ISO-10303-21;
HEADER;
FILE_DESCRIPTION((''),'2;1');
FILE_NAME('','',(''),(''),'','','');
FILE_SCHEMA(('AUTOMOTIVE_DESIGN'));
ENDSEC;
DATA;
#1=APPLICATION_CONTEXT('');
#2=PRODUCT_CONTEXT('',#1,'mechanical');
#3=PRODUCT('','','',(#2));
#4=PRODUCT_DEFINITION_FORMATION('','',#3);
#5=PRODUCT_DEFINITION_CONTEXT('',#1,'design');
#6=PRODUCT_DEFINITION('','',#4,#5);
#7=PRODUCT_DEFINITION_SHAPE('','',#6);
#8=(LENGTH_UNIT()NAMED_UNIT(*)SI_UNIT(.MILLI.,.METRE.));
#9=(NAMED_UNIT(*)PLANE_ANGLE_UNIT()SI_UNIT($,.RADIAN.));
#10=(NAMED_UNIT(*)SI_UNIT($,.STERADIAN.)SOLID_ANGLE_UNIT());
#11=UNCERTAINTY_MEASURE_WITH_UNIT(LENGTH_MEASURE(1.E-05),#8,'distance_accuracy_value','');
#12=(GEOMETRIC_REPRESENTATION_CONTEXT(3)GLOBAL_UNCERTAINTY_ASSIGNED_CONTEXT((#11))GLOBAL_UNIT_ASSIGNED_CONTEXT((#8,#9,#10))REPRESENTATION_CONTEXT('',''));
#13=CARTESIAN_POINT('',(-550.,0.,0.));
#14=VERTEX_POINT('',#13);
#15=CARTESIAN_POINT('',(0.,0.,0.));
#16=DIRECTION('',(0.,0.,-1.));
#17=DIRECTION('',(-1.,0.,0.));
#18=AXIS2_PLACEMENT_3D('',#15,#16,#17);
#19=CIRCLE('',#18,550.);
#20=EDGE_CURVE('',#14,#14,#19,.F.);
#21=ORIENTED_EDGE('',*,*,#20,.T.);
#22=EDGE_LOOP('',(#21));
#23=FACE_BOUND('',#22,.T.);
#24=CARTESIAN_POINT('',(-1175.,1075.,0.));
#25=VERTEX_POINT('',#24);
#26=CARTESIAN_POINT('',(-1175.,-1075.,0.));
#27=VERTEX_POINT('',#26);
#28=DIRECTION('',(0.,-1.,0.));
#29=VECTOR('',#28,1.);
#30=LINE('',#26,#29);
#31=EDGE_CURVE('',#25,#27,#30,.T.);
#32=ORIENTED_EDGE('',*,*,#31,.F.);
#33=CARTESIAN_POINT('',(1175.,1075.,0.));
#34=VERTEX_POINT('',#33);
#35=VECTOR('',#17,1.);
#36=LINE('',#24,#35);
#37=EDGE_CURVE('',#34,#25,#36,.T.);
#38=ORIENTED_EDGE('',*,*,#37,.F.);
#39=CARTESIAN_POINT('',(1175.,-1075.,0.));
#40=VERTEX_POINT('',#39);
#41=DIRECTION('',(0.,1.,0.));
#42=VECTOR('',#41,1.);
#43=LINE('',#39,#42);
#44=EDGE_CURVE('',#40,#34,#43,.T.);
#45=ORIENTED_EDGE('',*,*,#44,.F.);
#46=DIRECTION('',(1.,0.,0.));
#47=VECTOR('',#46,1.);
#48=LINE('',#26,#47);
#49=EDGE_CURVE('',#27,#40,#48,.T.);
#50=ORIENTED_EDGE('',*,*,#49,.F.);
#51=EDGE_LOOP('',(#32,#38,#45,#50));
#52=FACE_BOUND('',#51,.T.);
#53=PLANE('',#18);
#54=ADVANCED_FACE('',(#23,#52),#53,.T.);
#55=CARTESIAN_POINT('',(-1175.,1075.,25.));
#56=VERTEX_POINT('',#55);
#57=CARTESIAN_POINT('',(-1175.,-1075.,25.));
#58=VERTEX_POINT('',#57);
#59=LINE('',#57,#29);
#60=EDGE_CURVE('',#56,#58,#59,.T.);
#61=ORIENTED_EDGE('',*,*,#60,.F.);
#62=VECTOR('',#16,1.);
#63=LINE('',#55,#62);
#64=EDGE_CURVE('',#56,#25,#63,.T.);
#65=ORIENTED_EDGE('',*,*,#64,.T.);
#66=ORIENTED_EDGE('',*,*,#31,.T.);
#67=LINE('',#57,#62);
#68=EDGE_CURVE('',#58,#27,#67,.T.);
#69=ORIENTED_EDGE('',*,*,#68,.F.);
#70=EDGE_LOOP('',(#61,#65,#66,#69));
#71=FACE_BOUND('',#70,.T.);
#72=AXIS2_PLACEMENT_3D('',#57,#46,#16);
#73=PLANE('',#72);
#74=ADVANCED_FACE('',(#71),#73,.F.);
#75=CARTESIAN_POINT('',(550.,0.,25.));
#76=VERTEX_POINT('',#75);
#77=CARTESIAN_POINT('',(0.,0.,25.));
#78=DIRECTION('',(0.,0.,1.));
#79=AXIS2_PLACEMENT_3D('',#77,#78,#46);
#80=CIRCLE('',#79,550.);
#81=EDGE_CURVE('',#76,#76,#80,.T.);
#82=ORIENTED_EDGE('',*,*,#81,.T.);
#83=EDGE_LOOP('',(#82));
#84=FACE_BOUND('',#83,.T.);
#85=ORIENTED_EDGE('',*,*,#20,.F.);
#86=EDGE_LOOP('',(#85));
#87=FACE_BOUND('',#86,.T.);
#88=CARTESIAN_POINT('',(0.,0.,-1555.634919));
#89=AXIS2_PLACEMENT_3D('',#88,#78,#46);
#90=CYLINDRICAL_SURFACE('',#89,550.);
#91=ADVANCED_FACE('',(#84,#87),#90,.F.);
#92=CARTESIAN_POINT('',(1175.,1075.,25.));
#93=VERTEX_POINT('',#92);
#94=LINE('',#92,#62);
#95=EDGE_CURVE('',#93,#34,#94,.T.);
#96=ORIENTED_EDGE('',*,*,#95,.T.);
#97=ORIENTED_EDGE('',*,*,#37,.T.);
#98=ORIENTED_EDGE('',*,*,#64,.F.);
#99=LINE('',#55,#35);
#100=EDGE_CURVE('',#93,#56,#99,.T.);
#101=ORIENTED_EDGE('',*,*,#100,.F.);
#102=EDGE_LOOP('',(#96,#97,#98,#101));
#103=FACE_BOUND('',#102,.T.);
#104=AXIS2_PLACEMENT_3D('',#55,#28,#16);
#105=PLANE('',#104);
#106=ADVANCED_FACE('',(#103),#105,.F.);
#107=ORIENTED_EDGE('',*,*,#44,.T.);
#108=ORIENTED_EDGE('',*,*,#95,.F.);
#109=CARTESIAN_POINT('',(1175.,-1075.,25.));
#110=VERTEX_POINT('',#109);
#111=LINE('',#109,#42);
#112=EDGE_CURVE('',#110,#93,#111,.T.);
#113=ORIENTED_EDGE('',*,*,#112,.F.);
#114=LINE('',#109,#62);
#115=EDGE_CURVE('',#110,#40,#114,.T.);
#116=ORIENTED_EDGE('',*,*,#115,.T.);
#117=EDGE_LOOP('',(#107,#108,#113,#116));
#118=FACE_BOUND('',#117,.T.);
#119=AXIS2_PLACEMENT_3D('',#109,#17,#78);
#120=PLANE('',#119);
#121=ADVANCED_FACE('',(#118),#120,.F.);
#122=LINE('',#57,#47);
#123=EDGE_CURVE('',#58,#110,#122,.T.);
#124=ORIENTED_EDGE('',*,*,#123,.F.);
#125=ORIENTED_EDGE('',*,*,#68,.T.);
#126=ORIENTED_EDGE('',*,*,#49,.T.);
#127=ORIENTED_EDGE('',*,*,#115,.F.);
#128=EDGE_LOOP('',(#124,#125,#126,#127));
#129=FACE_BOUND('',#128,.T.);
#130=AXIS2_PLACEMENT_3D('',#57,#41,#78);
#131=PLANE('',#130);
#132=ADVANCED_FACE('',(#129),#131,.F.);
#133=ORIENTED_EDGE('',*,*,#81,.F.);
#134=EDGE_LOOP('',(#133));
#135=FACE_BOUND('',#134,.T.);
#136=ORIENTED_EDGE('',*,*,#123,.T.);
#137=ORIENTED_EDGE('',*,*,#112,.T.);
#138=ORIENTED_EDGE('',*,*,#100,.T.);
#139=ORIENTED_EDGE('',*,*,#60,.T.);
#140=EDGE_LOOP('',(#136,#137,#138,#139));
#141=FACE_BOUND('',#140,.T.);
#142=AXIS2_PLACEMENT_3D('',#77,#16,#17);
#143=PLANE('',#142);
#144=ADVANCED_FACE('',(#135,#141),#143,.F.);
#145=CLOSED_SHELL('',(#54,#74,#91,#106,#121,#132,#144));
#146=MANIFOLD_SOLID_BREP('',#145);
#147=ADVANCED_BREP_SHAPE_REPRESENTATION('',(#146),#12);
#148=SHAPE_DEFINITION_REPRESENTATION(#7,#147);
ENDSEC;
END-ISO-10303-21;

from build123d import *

# Parameters (mm, degrees)
SKETCH1_W           = 2350
SKETCH1_H           = 2150
BOSS_EXTRUDE1_DEPTH = 25
SKETCH2_R           = 550
CUT_EXTRUDE1_DEPTH  = 25


with BuildPart() as part:
    # Sketch1 → Boss-Extrude1 (new body)
    with BuildSketch(Plane.XY):
        Rectangle(SKETCH1_W, SKETCH1_H)
    extrude(amount=BOSS_EXTRUDE1_DEPTH)

    # Sketch2 → Cut-Extrude1 (cut)
    with BuildSketch(Plane.XY.offset(25)):
        Circle(SKETCH2_R)
    extrude(amount=-CUT_EXTRUDE1_DEPTH, mode=Mode.SUBTRACT)


solid = part.part
